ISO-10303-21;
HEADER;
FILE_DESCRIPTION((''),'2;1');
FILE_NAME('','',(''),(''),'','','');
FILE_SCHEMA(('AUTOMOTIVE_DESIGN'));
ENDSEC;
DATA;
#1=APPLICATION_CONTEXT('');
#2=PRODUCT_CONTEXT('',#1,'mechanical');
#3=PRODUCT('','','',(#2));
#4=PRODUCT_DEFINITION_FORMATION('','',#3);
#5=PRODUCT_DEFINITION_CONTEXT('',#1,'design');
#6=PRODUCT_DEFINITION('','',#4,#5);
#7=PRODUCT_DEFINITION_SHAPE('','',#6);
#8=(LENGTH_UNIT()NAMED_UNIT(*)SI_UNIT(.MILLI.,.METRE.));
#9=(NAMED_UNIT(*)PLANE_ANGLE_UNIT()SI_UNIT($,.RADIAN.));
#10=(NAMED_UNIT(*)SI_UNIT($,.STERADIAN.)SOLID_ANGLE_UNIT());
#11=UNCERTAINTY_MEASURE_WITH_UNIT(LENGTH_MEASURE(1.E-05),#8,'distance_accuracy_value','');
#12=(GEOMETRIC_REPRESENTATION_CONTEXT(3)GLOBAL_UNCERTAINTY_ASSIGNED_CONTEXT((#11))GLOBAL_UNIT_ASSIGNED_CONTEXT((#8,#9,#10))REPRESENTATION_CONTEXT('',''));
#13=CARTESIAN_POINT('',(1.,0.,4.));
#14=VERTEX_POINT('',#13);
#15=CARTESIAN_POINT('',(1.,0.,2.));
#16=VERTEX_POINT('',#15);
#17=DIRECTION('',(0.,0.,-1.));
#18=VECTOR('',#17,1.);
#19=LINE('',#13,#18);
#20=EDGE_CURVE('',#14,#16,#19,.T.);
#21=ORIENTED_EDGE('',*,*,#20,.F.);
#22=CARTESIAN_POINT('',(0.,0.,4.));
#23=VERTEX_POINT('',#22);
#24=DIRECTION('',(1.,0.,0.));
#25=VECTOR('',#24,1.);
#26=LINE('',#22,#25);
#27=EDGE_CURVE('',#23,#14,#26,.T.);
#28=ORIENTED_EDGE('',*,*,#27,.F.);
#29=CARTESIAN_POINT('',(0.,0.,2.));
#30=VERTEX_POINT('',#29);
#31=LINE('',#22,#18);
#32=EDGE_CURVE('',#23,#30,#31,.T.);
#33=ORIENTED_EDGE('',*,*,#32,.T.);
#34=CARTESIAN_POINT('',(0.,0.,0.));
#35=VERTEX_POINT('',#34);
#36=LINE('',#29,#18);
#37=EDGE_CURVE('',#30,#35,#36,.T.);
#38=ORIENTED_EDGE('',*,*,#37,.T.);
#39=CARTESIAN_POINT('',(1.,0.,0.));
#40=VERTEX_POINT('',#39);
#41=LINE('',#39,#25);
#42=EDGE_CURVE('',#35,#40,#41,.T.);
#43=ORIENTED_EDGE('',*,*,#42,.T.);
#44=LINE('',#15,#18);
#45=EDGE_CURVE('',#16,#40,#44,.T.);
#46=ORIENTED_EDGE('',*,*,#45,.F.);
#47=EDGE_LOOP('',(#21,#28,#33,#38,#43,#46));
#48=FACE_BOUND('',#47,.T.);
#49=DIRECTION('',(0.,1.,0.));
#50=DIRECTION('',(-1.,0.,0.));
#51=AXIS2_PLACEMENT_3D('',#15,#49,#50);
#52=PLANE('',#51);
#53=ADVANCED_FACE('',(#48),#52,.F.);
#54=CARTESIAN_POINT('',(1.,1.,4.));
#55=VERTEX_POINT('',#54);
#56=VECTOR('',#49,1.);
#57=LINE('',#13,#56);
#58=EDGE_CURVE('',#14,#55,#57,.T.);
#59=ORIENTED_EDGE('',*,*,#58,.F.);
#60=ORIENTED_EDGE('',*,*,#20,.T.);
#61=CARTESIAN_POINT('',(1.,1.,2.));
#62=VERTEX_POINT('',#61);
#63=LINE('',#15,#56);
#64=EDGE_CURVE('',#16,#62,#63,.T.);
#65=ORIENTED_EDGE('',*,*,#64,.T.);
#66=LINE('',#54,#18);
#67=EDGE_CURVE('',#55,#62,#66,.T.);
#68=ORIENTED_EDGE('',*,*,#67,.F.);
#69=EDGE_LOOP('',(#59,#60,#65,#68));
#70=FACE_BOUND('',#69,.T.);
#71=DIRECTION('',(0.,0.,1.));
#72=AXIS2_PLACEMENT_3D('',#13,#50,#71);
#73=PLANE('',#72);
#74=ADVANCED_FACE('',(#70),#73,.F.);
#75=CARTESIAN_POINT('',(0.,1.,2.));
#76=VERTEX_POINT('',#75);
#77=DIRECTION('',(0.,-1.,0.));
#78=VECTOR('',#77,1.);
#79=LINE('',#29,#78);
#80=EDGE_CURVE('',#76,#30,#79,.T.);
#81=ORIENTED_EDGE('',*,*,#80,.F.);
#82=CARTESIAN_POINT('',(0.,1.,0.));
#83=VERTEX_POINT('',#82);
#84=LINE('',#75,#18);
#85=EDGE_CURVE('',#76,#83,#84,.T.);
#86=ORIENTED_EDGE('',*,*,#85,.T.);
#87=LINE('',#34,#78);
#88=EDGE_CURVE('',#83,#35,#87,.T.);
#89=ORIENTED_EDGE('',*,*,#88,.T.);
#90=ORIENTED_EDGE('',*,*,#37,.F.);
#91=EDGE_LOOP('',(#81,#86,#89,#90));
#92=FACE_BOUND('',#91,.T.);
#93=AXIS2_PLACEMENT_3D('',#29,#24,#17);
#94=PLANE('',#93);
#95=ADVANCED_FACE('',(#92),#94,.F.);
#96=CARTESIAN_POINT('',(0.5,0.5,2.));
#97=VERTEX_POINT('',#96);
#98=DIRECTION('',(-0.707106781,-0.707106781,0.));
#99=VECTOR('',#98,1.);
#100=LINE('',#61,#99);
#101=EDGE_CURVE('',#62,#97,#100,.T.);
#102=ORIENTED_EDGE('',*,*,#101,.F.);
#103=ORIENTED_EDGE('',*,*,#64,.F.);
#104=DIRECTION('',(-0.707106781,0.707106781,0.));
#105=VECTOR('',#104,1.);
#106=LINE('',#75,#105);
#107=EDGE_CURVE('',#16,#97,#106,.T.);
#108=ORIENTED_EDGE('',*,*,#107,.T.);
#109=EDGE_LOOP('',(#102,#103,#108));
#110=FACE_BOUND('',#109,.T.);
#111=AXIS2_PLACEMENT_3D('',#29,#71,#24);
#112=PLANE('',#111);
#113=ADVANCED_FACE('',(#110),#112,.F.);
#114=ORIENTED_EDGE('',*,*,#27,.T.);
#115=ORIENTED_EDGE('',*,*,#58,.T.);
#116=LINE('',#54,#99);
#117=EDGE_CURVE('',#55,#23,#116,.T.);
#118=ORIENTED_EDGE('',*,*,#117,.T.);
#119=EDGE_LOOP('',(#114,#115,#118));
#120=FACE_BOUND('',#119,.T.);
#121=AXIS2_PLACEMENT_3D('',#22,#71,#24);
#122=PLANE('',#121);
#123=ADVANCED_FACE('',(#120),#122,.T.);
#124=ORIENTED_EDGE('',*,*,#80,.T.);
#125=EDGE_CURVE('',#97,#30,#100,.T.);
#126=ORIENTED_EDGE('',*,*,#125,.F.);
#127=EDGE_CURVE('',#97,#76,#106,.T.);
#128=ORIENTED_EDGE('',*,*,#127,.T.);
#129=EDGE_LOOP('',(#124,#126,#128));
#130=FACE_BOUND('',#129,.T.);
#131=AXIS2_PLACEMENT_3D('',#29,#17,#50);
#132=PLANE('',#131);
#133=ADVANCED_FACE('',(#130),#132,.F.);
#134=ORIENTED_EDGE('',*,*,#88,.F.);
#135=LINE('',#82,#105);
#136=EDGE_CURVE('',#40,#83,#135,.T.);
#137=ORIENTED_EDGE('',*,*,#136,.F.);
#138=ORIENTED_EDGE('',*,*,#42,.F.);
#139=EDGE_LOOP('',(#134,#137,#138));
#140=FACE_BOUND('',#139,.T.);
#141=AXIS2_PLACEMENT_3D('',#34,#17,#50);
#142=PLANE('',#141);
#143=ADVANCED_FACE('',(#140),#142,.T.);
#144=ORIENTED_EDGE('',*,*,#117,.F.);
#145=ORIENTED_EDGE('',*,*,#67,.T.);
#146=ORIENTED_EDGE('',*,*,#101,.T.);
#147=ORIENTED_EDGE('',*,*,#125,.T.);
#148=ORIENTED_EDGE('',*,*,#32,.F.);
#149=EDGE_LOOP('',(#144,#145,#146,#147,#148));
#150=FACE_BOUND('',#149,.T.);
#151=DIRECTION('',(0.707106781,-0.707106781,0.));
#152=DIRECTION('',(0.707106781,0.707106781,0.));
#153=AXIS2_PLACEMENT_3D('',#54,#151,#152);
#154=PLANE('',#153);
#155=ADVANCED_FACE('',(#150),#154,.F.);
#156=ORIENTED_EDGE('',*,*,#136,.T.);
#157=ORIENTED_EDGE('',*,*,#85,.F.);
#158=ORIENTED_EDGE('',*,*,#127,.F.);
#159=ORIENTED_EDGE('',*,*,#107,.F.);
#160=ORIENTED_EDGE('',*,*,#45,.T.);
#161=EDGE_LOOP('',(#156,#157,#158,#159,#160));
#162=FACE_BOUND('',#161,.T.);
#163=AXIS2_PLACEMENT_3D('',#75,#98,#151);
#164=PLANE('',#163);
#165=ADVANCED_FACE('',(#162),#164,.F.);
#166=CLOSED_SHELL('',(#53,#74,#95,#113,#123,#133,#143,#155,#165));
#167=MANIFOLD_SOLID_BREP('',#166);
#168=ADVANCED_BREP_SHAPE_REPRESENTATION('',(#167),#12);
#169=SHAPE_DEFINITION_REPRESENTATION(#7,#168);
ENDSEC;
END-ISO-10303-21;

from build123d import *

# Parameters (mm, degrees)
BOSS_EXTRUDE1_DEPTH = 2
BOSS_EXTRUDE2_DEPTH = 2


with BuildPart() as part:
    # Sketch1 → Boss-Extrude1 (new body)
    with BuildSketch(Plane.XY):
        Polygon((0, 0), (0, 1), (1, 0), align=None)
    extrude(amount=BOSS_EXTRUDE1_DEPTH)

    # Sketch2 → Boss-Extrude2 (add)
    with BuildSketch(Plane.XY.offset(2)):
        Polygon((1, 0), (1, 1), (0, 0), align=None)
    extrude(amount=BOSS_EXTRUDE2_DEPTH)


solid = part.part
